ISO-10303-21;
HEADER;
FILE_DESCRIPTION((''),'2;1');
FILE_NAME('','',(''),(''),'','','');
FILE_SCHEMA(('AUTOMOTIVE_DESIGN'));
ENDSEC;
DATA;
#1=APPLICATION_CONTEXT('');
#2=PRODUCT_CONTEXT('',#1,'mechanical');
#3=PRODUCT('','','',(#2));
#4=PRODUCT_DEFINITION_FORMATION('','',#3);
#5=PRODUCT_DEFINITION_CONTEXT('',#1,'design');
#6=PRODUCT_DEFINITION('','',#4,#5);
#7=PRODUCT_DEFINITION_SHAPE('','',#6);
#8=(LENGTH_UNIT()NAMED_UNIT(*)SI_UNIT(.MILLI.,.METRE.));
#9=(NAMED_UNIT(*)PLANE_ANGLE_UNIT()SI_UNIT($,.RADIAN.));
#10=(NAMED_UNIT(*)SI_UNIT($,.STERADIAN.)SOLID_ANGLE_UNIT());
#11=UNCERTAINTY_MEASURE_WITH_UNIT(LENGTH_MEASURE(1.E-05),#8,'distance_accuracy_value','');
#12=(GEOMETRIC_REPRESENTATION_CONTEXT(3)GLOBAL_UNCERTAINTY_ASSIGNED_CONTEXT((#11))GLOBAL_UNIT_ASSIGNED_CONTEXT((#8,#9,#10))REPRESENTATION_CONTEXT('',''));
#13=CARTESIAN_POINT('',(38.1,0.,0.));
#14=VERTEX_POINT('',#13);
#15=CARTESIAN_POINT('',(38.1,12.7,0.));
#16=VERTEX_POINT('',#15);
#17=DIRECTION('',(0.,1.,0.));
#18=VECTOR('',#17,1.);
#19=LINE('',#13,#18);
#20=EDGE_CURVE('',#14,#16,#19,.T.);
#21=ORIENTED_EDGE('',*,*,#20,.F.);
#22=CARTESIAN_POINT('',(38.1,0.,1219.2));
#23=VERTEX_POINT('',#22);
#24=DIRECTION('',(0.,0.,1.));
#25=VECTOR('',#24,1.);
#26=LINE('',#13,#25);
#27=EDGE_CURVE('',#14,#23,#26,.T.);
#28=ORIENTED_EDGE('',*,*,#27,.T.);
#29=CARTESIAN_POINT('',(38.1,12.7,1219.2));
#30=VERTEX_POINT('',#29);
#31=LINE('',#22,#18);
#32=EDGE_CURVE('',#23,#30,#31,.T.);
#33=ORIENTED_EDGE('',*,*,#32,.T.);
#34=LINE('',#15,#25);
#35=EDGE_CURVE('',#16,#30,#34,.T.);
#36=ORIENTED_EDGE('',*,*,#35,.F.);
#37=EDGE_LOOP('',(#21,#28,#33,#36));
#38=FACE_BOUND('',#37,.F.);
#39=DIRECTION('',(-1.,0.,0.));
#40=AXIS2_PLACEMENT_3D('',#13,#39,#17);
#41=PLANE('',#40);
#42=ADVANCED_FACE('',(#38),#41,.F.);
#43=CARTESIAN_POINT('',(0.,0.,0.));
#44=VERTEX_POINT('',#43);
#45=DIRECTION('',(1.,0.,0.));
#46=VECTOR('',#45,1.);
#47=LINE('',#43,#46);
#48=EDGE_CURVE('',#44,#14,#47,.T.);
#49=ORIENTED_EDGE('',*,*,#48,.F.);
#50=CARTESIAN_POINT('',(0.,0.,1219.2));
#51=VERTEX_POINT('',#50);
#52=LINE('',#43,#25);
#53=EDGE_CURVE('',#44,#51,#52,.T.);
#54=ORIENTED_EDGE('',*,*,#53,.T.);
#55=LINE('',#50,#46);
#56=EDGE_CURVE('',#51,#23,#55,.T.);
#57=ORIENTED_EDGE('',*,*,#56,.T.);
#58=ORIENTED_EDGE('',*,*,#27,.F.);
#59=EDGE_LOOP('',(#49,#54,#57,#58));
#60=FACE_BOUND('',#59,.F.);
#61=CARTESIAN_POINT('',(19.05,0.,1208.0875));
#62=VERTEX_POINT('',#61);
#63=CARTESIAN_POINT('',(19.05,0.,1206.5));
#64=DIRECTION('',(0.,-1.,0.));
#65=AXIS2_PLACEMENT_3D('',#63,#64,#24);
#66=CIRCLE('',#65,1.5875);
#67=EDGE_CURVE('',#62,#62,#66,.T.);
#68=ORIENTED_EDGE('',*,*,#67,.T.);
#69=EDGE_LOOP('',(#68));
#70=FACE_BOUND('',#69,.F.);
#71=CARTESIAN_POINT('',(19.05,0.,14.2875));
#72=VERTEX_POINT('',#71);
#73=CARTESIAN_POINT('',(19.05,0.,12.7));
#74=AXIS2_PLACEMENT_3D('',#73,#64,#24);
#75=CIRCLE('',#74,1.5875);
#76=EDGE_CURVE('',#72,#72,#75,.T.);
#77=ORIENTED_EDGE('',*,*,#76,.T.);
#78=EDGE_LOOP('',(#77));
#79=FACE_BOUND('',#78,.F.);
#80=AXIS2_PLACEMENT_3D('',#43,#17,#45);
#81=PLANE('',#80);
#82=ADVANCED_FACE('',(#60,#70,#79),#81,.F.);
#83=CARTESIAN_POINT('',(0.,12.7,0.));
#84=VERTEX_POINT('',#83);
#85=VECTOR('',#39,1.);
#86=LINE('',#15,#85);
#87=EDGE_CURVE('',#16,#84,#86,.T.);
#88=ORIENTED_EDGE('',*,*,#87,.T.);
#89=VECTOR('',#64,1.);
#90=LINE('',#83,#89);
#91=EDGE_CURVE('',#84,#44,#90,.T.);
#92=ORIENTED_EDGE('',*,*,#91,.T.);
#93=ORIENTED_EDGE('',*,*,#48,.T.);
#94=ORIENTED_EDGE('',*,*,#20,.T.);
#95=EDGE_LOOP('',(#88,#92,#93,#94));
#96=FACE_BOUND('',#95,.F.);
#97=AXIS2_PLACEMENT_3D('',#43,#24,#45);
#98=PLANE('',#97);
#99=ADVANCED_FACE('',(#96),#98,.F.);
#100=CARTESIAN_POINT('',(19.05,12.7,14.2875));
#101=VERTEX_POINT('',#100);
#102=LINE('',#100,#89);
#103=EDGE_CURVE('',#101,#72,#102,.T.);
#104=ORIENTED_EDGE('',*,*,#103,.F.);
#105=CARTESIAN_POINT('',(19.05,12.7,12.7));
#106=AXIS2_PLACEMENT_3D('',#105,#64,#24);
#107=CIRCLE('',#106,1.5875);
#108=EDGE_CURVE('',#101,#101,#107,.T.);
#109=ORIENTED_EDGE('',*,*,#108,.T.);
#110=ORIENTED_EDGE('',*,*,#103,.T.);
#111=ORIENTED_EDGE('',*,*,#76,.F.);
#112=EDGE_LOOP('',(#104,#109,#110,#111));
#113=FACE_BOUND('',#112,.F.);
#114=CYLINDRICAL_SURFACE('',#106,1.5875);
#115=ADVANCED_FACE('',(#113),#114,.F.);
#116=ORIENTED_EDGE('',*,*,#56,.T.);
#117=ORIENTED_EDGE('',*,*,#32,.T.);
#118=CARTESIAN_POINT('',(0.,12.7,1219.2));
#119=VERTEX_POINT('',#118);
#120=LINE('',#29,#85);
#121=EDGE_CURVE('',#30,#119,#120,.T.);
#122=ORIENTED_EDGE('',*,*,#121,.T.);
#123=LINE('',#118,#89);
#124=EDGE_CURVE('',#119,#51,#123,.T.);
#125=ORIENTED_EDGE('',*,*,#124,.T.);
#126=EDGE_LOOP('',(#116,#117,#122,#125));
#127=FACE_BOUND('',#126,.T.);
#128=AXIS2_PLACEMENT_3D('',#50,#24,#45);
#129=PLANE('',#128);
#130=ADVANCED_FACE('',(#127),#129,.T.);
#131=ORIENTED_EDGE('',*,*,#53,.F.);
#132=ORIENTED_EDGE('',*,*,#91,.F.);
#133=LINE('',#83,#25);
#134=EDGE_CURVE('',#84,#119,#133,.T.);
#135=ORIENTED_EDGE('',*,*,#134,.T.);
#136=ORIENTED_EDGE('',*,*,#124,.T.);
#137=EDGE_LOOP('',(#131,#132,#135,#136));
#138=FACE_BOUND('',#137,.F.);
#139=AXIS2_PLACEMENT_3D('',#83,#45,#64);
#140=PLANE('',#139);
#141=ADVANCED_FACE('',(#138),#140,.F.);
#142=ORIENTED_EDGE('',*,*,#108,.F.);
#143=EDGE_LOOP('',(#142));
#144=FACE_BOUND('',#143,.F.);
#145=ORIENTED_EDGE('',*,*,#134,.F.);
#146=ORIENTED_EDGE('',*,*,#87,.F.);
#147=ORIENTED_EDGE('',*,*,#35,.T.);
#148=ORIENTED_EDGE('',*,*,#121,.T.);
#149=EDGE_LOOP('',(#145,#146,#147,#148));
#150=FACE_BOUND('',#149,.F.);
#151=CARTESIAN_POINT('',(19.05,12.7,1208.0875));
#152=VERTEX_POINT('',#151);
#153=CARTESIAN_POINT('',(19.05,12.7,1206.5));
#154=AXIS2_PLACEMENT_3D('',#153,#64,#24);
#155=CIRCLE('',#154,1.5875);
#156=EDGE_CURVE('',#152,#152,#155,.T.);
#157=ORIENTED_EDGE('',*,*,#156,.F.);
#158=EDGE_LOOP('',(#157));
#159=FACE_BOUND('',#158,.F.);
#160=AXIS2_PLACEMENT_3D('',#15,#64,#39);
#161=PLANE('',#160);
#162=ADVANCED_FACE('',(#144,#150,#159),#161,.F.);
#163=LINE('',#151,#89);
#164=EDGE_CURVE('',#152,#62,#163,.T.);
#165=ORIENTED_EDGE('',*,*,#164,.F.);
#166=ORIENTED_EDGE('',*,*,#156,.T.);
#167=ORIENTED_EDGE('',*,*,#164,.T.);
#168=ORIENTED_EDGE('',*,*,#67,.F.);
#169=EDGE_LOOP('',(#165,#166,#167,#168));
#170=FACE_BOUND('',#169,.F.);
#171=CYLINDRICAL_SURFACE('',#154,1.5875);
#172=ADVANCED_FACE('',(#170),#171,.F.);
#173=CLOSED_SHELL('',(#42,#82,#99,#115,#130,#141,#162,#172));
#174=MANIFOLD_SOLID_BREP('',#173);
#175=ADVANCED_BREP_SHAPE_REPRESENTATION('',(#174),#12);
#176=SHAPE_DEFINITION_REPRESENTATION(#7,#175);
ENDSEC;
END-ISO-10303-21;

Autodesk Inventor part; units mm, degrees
ref_plane "YZ Plane" through (0, 0, 0) normal (1, 0, 0) x (0, 1, 0)
ref_plane "XZ Plane" through (0, 0, 0) normal (0, 1, 0) x (-1, 0, 0)
ref_plane "XY Plane" through (0, 0, 0) normal (0, 0, 1) x (1, 0, 0)
sketch "Sketch1" plane through (0, 0, 0) normal (0, 0, 1) x (1, 0, 0)
  line L0 (0, 0) -> (38.1, 0)
  line L1 (38.1, 0) -> (38.1, 12.7)
  line L2 (38.1, 12.7) -> (0, 12.7)
  line L3 (0, 12.7) -> (0, 0)
  dimension "d0" = 38.1
  dimension "d1" = 12.7
extrude "Extrusion1" add sketch "Sketch1" along normal blind 1219.2
sketch "Sketch2" plane through (0, 12.7, 0) normal (0, 1, 0) x (1, 0, 0)
  line L0 (38.1, 0) -> (0, 0) projected
  circle A0 centre (19.05, -12.7) radius 2.2451
  dimension "d4" = 12.7
hole "Hole1" at (19.05, 12.7, 12.7) direction (0, -1, 0) diameter 3.175 end through all
sketch "Sketch3" plane through (0, 12.7, 0) normal (0, 1, 0) x (1, 0, 0)
  line L0 (38.1, -1219.2) -> (0, -1219.2) projected
  circle A0 centre (19.05, -1206.5) radius 2.2451
  dimension "d12" = 12.7
hole "Hole2" at (19.05, 12.7, 1206.5) direction (0, -1, 0) diameter 3.175 end through all
properties part number "firringStrip1" material "Wood (Cherry)"
